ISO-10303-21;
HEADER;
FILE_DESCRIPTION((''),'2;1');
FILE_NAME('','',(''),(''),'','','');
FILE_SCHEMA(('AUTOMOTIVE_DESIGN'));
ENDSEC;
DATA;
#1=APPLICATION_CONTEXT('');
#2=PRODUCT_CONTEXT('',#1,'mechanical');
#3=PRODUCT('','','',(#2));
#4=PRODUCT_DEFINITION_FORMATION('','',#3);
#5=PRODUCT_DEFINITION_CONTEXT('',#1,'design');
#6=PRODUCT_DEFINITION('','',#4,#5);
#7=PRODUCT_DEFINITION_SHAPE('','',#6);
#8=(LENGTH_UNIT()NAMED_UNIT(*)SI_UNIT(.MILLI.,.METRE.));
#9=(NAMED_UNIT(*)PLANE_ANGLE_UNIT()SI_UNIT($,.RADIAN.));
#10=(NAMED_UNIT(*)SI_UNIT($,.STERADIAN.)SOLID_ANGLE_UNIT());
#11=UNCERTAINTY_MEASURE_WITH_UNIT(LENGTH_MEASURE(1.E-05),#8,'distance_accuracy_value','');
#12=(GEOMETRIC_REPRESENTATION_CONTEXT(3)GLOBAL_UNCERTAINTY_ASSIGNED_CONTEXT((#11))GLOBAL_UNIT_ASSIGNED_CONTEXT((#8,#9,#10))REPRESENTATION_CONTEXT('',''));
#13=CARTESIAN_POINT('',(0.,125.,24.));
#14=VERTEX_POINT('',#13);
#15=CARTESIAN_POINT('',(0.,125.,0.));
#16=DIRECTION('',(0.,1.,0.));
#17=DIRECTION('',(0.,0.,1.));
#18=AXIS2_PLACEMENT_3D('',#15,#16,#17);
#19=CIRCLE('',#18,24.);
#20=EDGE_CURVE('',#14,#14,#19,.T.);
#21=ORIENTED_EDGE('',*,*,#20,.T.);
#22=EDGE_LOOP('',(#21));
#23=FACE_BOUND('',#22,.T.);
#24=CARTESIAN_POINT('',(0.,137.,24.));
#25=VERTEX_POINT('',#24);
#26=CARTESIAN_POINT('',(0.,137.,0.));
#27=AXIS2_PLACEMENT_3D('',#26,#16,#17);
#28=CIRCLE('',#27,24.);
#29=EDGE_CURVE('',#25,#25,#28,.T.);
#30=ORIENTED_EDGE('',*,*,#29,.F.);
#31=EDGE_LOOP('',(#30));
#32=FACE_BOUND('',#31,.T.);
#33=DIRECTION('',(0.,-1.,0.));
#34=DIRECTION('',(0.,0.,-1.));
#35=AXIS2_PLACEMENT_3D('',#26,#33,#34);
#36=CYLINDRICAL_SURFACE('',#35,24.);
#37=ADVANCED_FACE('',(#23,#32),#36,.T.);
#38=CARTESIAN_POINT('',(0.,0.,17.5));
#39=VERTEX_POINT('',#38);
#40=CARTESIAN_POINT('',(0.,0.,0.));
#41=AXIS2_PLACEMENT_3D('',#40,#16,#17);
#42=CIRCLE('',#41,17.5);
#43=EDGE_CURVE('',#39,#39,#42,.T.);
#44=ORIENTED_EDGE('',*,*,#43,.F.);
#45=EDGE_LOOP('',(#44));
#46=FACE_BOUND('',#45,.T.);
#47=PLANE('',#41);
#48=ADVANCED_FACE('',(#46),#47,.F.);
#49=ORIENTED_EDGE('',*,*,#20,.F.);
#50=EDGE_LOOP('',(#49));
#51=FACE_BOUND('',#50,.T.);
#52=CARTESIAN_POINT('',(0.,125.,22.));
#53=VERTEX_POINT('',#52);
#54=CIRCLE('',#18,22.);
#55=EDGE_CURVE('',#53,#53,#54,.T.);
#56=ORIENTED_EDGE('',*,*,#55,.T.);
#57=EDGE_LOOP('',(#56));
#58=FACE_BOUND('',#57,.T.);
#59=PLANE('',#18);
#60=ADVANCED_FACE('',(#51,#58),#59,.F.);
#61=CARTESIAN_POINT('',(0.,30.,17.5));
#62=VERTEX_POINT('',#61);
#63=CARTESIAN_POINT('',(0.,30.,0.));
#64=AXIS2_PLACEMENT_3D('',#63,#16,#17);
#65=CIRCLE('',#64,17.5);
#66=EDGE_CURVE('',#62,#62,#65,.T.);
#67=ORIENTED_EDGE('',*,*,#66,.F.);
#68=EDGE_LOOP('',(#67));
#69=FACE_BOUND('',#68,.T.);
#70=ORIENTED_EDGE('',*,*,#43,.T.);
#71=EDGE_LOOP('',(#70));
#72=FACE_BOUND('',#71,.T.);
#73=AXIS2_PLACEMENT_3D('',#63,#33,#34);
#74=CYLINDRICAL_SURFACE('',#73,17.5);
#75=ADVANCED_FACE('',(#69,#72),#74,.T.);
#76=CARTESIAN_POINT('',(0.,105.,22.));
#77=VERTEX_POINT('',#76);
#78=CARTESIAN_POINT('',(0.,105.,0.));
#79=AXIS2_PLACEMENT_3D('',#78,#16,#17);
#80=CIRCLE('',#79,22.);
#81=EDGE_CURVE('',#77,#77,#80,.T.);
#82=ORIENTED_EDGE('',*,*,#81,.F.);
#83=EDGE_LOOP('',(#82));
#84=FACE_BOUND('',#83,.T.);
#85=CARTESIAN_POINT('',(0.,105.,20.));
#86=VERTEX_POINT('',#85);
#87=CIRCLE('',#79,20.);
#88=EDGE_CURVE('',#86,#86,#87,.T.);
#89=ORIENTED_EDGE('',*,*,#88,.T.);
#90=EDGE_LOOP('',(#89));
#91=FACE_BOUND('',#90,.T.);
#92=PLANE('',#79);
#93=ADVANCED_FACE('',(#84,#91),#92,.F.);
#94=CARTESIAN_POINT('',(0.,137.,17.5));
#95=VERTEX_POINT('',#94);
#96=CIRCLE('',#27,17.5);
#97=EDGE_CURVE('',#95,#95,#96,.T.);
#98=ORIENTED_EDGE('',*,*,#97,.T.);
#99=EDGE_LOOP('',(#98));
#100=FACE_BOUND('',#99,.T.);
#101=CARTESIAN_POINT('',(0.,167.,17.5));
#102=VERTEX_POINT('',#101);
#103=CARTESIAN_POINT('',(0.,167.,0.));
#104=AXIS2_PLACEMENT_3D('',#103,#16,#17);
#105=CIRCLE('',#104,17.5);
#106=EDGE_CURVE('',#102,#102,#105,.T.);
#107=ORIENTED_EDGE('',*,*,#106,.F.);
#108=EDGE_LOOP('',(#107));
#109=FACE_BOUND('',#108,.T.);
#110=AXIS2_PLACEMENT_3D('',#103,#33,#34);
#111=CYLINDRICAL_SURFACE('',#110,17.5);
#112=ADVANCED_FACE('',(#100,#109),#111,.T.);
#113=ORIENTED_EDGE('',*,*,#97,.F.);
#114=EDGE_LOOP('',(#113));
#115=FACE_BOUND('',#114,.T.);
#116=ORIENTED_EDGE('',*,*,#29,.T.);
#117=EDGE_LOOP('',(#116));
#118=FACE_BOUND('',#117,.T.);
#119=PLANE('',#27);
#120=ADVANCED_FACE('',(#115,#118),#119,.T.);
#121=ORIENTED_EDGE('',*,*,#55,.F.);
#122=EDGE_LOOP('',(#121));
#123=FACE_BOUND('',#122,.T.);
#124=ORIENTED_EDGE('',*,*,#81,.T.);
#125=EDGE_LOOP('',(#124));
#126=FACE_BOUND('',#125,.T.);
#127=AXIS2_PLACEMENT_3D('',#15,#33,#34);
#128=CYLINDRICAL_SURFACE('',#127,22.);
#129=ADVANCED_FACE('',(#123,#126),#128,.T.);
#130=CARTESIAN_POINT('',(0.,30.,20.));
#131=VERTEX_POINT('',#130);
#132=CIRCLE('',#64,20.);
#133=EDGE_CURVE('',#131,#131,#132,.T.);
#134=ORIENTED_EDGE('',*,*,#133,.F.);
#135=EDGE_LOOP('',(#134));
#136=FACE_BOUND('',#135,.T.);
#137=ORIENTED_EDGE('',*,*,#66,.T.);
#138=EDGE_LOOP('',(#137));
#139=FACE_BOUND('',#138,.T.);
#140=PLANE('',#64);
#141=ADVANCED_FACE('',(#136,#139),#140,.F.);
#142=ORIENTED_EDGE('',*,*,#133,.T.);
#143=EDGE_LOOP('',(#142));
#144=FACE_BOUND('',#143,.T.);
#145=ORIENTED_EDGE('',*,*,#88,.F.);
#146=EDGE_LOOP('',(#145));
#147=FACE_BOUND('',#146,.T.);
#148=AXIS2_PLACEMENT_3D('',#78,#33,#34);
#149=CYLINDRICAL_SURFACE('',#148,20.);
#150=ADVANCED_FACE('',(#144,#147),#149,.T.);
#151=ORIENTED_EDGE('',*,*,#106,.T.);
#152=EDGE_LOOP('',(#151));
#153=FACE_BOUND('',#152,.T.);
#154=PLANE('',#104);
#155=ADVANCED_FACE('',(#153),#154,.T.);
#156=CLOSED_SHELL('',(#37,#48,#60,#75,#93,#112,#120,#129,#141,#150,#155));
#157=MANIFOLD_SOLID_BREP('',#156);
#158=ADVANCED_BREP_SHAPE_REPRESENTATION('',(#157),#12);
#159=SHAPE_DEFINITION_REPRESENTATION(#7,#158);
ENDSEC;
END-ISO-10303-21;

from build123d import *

# Parameters (mm, degrees)
SKETCH_1_R      = 17.5
EXTRUDE_1_DEPTH = 30
SKETCH_2_R      = 20
EXTRUDE_2_DEPTH = 75
SKETCH_3_R      = 22
EXTRUDE_3_DEPTH = 20
SKETCH_5_R      = 24
EXTRUDE_4_DEPTH = 12
SKETCH_6_R      = 17.5
EXTRUDE_5_DEPTH = 30


with BuildPart() as part:
    # 草图1 → 凸台-拉伸1 (new body)
    with BuildSketch(Plane(origin=(0, 0, 0), x_dir=(1, 0, 0), z_dir=(0, 1, 0))):
        with Locations(Location((0, 0, 0), (0, 0, 270))):
            Circle(SKETCH_1_R)
    extrude(amount=EXTRUDE_1_DEPTH)

    # 草图2 → 凸台-拉伸2 (add)
    with BuildSketch(Plane(origin=(0, 30, 0), x_dir=(1, 0, 0), z_dir=(0, 1, 0))):
        with Locations(Location((0, 0, 0), (0, 0, 270))):
            Circle(SKETCH_2_R)
    extrude(amount=EXTRUDE_2_DEPTH)

    # 草图3 → 凸台-拉伸3 (add)
    with BuildSketch(Plane(origin=(0, 105, 0), x_dir=(1, 0, 0), z_dir=(0, 1, 0))):
        with Locations(Location((0, 0, 0), (0, 0, 270))):
            Circle(SKETCH_3_R)
    extrude(amount=EXTRUDE_3_DEPTH)

    # 草图5 → 凸台-拉伸4 (add)
    with BuildSketch(Plane(origin=(0, 125, 0), x_dir=(1, 0, 0), z_dir=(0, 1, 0))):
        with Locations(Location((0, 0, 0), (0, 0, 270))):
            Circle(SKETCH_5_R)
    extrude(amount=EXTRUDE_4_DEPTH)

    # 草图6 → 凸台-拉伸5 (add)
    with BuildSketch(Plane(origin=(0, 137, 0), x_dir=(1, 0, 0), z_dir=(0, 1, 0))):
        with Locations(Location((0, 0, 0), (0, 0, 270))):
            Circle(SKETCH_6_R)
    extrude(amount=EXTRUDE_5_DEPTH)


solid = part.part
